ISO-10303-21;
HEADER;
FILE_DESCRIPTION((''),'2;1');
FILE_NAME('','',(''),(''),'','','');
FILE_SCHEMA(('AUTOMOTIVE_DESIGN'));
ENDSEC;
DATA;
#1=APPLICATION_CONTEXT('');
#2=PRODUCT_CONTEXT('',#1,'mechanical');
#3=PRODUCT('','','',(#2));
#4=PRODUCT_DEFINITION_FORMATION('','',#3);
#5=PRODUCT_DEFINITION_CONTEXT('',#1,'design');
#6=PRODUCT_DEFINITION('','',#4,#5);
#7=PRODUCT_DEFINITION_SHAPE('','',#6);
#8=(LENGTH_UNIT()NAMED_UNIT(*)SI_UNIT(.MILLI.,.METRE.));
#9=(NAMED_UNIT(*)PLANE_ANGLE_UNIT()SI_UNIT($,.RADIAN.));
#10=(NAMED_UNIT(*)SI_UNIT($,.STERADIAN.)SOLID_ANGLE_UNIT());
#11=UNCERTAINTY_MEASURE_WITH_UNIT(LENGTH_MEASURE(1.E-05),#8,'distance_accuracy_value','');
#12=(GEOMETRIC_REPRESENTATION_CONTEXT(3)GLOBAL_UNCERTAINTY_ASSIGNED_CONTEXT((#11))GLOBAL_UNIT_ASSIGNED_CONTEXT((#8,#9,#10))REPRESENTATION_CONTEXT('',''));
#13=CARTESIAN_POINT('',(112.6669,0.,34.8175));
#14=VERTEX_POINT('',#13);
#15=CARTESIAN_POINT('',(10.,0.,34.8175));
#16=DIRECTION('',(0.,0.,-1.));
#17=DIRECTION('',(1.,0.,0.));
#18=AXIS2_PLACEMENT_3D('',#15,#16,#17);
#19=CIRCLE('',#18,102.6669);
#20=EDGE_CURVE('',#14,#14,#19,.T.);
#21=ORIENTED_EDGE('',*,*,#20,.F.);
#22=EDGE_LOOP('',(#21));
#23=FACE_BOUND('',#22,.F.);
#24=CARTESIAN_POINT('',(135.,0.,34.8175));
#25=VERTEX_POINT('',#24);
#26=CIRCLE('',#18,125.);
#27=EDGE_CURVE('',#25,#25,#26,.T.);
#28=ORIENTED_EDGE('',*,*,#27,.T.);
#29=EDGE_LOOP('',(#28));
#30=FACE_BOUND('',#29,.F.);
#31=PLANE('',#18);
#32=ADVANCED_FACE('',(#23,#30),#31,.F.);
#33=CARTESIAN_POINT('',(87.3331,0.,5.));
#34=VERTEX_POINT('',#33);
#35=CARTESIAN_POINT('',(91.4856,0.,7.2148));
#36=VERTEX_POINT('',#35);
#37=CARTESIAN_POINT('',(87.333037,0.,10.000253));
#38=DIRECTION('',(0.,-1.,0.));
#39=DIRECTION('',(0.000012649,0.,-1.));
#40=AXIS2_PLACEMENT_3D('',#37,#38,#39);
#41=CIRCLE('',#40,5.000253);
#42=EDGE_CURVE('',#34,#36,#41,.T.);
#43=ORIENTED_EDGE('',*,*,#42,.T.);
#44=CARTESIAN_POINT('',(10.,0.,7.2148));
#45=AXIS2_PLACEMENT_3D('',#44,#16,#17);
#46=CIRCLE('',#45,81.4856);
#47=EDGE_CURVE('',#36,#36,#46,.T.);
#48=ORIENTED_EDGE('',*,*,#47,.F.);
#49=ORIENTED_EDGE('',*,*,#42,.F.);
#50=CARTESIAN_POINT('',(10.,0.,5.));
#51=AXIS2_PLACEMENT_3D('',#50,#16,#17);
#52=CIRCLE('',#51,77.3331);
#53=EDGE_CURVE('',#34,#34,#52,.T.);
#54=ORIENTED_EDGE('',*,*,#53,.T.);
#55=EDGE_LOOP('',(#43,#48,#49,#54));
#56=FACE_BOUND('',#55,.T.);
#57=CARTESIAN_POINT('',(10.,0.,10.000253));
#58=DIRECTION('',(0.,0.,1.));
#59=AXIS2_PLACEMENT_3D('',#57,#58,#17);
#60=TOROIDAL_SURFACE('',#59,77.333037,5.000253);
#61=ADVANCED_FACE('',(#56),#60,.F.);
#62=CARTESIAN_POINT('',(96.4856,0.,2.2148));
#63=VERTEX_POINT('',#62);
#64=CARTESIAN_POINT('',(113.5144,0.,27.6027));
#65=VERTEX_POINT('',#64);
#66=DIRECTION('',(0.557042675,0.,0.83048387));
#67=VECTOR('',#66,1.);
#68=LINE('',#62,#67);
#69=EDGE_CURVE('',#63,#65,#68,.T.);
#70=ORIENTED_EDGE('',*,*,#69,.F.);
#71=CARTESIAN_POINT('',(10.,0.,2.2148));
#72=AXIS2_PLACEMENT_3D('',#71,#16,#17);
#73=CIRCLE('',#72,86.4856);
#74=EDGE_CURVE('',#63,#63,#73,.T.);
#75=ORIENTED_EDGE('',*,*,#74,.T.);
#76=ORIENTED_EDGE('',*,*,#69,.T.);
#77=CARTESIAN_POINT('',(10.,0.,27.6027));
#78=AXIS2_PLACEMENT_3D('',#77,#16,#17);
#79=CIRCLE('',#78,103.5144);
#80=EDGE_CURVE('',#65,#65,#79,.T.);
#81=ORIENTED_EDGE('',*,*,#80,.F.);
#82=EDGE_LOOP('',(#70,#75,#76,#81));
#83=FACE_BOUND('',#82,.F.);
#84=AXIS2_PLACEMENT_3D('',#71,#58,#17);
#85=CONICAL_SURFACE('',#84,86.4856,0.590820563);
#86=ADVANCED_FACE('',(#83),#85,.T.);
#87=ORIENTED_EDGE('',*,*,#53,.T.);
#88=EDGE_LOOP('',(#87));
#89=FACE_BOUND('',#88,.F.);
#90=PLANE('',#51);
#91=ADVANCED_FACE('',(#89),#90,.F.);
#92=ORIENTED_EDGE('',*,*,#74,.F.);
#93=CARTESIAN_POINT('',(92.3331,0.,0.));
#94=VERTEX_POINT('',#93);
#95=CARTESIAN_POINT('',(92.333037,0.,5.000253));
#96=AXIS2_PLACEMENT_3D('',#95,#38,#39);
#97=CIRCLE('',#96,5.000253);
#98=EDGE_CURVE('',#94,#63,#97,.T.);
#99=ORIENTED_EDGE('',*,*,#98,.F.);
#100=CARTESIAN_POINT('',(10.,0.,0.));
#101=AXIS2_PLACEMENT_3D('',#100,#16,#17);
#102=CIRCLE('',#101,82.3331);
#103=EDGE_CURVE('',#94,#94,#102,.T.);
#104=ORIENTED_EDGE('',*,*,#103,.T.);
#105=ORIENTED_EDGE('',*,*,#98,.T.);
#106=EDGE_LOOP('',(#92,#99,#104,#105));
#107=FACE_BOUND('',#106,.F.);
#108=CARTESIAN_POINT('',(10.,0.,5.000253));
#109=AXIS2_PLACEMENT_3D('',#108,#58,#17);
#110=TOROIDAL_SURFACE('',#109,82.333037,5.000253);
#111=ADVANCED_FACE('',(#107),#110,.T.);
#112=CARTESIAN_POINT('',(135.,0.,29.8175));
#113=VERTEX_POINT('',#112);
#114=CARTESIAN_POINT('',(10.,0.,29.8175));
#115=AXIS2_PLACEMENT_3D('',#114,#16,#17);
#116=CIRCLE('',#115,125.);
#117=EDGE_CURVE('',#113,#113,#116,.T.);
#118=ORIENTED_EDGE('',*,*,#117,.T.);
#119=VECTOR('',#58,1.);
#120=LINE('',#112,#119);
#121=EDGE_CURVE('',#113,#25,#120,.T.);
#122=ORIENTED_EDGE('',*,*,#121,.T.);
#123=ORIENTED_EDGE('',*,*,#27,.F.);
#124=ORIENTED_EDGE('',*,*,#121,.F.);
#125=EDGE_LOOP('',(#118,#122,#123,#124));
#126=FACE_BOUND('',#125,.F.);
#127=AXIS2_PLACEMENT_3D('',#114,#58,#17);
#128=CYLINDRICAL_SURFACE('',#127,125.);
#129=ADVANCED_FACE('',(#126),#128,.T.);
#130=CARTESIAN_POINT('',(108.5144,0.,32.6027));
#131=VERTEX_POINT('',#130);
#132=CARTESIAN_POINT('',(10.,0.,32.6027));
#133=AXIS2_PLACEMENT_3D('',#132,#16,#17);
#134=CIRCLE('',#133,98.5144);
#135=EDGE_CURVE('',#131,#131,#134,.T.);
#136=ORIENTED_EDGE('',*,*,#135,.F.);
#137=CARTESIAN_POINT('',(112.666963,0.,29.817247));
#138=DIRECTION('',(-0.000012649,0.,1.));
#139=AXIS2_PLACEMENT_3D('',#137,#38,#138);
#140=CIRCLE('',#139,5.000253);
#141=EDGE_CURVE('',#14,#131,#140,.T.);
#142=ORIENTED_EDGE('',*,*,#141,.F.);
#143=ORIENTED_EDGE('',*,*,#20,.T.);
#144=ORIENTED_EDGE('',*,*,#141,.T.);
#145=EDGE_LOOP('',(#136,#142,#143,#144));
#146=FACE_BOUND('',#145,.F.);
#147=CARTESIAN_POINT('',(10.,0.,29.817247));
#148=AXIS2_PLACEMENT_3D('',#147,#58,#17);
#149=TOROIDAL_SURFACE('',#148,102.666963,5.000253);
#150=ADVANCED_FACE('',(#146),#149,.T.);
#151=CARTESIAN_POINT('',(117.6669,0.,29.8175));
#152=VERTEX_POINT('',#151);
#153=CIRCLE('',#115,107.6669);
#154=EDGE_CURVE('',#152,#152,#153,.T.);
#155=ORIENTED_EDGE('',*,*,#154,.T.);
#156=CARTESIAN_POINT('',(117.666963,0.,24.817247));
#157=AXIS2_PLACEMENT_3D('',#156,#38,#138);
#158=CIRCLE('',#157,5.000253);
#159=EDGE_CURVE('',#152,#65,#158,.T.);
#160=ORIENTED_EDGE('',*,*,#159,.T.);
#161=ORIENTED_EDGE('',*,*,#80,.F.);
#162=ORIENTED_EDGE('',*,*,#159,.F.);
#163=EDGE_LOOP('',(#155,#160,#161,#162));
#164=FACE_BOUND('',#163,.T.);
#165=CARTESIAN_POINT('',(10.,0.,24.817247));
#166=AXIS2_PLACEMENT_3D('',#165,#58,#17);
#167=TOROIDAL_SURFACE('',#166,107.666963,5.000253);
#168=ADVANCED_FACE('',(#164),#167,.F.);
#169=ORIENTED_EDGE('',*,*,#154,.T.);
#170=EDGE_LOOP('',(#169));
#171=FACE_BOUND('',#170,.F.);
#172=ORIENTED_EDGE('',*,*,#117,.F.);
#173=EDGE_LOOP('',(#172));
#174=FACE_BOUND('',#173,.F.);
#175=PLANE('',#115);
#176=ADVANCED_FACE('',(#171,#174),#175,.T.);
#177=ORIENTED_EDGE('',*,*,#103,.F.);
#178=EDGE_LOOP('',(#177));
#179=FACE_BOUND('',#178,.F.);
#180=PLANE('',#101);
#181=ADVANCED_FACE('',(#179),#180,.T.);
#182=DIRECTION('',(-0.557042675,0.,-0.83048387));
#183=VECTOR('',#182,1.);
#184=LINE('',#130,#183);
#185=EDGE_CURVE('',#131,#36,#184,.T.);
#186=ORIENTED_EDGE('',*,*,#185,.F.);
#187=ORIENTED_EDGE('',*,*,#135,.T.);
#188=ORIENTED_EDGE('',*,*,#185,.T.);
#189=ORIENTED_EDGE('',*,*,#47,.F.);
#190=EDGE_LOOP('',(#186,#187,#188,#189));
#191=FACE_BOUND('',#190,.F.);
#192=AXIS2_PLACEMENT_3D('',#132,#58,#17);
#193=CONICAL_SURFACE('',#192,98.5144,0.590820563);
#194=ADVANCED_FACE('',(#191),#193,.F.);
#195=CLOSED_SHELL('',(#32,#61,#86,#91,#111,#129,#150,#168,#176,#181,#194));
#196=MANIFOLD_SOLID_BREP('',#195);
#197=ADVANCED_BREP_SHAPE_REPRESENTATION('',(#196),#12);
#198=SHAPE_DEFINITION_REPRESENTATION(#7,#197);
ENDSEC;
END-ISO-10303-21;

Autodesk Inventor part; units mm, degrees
ref_plane "YZ Plane" through (0, 0, 0) normal (1, 0, 0) x (0, 1, 0)
ref_plane "XZ Plane" through (0, 0, 0) normal (0, 1, 0) x (-1, 0, 0)
ref_plane "XY Plane" through (0, 0, 0) normal (0, 0, 1) x (1, 0, 0)
sketch "Boceto3" plane through (0, 0, 0) normal (0, 0, 1) x (1, 0, 0)
  line L0 (0, 0) -> (82.3331, 0)
  line L1 (86.4856, 2.2148) -> (103.5144, 27.6027)
  line L2 (107.6669, 29.8175) -> (125, 29.8175)
  line L3 (125, 29.8175) -> (125, 34.8175)
  line L4 (125, 34.8175) -> (102.6669, 34.8175)
  line L5 (98.5144, 32.6027) -> (81.4856, 7.2148)
  line L6 (77.3331, 5) -> (0, 5)
  line L7 (0, 5) -> (0, 0)
  arc A0 (77.3331, 5) -> (81.4856, 7.2148) centre (77.3331, 10) ccw
  arc A1 (102.6669, 34.8175) -> (98.5144, 32.6027) centre (102.6669, 29.8175) ccw
  arc A2 (107.6669, 29.8175) -> (103.5144, 27.6027) centre (107.6669, 24.8175) ccw
  arc A3 (82.3331, 0) -> (86.4856, 2.2148) centre (82.3331, 5) ccw
  point P0 (85, 0)
  point P1 (100, 34.8175)
  point P2 (80, 5)
  dimension "d6" = 125
  dimension "d8" = 80
  dimension "d9" = 5
  dimension "d10" = 5
  dimension "d12" = 100
  dimension "d13" = 85
  dimension "d16" = 5
  dimension "d17" = 5
revolve "Revolución1" add sketch "Boceto3" angle 360 about axis through (0, 5, 0) along (0, -1, 0)
move or copy body "Desplazar cuerpo1" bodies to move or copy 1 copy no rotation origin (0, 0, 0) rotation axis (1, 0, 0) rotation angle 90
move or copy body "Desplazar cuerpo2" bodies to move or copy 1 copy no translate (10, 0, 0)
properties part number "plato" material "Porcelana, marfil"
